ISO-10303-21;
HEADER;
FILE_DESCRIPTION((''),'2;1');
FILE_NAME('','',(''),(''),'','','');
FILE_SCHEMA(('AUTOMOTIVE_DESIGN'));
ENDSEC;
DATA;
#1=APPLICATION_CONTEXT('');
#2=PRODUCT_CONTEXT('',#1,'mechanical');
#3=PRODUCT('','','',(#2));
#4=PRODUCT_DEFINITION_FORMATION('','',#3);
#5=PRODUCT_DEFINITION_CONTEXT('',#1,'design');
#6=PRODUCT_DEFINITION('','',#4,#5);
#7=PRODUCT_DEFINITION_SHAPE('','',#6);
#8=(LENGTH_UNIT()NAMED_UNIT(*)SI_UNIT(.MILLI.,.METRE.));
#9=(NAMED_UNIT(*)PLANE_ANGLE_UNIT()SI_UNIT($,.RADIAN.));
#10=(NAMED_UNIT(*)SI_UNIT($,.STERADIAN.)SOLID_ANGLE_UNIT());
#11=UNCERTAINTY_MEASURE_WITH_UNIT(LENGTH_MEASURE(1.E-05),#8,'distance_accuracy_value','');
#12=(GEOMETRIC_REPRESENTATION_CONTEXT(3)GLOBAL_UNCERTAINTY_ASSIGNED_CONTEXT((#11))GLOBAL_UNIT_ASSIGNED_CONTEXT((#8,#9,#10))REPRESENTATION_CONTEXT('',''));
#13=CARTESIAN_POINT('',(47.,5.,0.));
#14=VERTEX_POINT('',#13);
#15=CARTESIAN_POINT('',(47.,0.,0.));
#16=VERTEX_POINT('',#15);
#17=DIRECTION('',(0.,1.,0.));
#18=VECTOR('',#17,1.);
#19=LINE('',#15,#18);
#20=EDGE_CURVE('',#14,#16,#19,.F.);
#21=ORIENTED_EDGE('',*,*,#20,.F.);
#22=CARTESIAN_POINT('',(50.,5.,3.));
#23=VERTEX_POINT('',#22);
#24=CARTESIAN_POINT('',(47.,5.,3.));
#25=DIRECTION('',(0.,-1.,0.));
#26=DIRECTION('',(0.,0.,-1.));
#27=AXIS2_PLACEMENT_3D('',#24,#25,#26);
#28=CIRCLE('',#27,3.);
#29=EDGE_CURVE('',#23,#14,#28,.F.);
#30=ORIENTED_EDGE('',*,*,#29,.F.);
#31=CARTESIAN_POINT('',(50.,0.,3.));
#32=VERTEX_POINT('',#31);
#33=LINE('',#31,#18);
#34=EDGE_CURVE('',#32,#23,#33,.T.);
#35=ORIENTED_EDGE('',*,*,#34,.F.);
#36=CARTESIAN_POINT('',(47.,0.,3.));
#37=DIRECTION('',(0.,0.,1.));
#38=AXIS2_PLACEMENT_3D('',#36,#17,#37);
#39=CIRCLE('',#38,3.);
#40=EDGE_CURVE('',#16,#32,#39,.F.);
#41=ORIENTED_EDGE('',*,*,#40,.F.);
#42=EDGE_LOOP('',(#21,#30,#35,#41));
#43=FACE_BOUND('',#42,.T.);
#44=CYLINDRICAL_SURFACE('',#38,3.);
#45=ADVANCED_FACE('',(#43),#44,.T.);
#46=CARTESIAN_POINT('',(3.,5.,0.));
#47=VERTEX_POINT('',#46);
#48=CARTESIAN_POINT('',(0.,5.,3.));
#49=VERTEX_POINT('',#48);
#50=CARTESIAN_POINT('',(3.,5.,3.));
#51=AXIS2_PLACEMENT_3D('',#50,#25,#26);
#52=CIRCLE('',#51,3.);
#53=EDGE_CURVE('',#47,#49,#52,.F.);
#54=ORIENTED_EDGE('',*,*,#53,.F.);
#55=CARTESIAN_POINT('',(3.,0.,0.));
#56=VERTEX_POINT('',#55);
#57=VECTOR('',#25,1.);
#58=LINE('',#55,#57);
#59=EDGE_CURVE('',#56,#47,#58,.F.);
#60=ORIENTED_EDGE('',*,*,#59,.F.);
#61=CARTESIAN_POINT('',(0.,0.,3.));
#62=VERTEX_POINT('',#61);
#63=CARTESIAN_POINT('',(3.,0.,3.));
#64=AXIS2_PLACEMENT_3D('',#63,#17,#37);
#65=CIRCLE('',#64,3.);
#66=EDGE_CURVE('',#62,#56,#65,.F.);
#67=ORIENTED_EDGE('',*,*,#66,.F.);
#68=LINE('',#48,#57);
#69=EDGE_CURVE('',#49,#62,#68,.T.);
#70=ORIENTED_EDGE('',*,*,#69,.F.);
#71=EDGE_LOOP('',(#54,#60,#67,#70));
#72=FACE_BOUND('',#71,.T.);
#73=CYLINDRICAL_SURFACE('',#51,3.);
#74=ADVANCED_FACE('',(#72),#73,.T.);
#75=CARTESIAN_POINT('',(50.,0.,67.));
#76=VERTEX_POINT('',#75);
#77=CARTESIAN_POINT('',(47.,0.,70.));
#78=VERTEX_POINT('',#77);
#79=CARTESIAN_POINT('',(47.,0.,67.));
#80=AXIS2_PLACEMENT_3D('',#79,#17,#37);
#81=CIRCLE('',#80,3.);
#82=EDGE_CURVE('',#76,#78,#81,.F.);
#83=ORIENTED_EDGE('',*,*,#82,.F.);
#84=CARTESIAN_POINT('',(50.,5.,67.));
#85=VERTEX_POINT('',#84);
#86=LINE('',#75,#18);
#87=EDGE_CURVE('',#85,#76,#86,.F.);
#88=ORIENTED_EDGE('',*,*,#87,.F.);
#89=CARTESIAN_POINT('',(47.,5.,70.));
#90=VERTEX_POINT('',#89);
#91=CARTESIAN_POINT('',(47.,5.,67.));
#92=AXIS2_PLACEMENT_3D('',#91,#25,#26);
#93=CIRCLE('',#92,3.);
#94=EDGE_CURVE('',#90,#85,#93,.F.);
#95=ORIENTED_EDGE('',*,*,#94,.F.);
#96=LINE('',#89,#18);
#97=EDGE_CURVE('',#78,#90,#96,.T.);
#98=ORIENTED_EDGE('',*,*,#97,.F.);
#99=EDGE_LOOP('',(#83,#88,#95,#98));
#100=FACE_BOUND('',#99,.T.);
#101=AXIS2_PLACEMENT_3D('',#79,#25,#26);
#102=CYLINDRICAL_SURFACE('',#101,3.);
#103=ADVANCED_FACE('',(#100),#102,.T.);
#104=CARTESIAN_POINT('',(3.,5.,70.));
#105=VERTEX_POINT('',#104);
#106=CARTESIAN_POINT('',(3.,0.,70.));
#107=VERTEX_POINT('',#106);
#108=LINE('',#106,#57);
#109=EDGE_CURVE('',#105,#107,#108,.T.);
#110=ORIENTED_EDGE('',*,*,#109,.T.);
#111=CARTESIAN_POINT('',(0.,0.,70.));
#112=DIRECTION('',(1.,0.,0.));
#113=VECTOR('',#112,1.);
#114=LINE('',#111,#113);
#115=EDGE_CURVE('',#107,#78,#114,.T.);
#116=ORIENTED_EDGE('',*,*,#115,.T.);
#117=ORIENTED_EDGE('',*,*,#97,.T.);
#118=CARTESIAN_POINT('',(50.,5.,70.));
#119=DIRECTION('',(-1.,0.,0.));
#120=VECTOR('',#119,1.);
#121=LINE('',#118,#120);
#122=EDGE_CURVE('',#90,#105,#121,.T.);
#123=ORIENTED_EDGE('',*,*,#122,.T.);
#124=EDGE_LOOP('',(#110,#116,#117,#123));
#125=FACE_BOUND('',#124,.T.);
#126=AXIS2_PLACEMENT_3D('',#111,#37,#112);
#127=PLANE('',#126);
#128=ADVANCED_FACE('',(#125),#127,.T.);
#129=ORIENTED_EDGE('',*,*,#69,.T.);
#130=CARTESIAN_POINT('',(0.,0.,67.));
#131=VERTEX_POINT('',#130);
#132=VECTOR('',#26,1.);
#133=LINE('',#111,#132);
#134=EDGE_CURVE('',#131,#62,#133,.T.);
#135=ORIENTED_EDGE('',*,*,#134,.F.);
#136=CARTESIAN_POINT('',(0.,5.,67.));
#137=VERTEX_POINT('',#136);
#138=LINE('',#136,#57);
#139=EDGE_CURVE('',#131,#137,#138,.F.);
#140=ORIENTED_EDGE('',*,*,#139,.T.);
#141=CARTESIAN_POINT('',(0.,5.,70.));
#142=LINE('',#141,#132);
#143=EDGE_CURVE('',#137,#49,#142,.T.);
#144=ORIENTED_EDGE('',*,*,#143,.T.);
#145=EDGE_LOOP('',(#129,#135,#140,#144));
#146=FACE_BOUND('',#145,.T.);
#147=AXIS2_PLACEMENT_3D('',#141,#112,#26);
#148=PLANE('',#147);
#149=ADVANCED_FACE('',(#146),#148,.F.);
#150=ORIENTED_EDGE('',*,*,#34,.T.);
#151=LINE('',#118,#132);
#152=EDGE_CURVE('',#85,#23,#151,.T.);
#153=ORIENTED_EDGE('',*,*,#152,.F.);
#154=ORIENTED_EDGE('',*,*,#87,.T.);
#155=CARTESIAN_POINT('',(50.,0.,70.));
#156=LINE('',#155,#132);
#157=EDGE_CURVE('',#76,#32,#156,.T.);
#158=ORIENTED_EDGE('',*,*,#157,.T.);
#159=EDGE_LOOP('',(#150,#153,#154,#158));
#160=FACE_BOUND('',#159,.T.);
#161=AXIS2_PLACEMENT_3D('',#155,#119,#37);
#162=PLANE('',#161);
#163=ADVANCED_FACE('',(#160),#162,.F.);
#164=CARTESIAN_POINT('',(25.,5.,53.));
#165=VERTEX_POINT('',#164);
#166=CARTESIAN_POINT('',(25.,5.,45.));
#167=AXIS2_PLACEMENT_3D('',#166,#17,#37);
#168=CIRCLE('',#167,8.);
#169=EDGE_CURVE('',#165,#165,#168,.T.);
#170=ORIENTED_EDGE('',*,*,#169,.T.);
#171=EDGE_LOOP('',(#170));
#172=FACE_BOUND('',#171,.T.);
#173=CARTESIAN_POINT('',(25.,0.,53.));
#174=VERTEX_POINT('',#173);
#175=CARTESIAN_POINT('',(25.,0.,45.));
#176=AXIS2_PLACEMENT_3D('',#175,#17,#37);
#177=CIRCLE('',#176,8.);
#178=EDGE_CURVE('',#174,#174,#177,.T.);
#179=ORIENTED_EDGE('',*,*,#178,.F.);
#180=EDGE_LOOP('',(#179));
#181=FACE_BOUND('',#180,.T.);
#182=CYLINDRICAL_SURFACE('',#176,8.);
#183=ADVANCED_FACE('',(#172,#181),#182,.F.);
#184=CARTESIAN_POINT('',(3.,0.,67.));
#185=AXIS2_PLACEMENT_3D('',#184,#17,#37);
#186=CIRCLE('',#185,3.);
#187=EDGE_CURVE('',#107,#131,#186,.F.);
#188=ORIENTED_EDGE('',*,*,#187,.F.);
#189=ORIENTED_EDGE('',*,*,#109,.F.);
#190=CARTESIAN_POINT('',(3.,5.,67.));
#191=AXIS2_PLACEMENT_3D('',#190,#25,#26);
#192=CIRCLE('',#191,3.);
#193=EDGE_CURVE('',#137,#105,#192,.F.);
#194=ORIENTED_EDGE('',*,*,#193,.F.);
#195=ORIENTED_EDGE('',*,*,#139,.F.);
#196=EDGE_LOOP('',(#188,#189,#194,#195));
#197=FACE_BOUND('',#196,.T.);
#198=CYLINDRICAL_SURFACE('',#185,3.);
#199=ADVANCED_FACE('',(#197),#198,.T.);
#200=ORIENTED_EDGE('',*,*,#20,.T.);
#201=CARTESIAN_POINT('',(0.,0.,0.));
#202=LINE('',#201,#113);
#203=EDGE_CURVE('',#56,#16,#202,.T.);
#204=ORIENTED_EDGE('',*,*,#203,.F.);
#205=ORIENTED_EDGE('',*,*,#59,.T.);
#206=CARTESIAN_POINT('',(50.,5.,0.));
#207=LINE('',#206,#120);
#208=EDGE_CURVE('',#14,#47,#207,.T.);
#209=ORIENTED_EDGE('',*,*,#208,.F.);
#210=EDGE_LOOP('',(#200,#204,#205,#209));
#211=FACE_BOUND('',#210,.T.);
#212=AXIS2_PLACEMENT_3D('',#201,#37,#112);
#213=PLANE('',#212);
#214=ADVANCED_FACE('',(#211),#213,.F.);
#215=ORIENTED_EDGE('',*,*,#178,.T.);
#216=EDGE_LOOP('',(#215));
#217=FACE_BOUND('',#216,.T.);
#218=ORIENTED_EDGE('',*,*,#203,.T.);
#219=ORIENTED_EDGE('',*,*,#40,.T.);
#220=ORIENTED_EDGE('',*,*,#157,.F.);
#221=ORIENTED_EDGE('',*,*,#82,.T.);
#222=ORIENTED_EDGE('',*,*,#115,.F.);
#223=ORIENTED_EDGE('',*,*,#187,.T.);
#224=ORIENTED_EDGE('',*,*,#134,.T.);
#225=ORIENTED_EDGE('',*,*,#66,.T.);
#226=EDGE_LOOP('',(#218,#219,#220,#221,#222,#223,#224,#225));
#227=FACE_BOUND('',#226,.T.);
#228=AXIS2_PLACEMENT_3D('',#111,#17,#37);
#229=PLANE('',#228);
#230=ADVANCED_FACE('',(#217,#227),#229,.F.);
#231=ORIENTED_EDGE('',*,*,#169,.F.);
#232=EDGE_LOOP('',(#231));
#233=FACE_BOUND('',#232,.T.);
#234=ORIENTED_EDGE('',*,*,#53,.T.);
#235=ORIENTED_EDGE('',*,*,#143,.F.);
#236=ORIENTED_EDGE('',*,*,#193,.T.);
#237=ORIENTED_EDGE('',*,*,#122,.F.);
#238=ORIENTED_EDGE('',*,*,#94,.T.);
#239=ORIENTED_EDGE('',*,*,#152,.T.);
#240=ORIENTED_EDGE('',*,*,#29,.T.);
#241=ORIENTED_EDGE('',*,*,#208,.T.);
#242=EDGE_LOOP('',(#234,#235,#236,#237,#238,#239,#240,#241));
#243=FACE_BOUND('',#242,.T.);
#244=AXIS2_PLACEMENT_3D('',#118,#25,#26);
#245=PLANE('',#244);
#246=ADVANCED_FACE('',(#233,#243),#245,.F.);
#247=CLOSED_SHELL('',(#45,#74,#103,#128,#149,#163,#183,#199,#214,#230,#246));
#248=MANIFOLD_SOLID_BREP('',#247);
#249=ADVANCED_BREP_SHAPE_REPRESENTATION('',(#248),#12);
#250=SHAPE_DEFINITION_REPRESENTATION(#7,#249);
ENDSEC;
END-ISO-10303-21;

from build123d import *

# Parameters (mm, degrees)
SKETCH_1_W             = 50
SKETCH_1_H             = 5
BLOCKEXTRUDE_DEPTH     = 70
FILLET_2_R             = 3
SKETCH_2_R             = 8
ROTARY_SEAL_SEAT_DEPTH = 87.168439698


with BuildPart() as part:
    # 草图1 → BlockExtrude (new body)
    with BuildSketch(Plane.XY):
        with Locations((25, 2.5)):
            Rectangle(SKETCH_1_W, SKETCH_1_H)
    extrude(amount=BLOCKEXTRUDE_DEPTH)

    # Fillet 2
    fillet_2_edges = [part.edges().sort_by_distance(p)[0] for p in [
        (50, 2.5, 70),
        (0, 2.5, 70),
        (50, 2.5, 0),
        (0, 2.5, 0),
    ]]
    fillet(fillet_2_edges, radius=FILLET_2_R)

    # 草图2 → Rotary_seal_seat (cut, through all)
    with BuildSketch(Plane(origin=(0, 5, 0), x_dir=(1, 0, 0), z_dir=(0, 1, 0))):
        with Locations(Location((25, -45, 0), (0, 0, 270))):
            Circle(SKETCH_2_R)
    extrude(amount=-ROTARY_SEAL_SEAT_DEPTH, mode=Mode.SUBTRACT)


solid = part.part
